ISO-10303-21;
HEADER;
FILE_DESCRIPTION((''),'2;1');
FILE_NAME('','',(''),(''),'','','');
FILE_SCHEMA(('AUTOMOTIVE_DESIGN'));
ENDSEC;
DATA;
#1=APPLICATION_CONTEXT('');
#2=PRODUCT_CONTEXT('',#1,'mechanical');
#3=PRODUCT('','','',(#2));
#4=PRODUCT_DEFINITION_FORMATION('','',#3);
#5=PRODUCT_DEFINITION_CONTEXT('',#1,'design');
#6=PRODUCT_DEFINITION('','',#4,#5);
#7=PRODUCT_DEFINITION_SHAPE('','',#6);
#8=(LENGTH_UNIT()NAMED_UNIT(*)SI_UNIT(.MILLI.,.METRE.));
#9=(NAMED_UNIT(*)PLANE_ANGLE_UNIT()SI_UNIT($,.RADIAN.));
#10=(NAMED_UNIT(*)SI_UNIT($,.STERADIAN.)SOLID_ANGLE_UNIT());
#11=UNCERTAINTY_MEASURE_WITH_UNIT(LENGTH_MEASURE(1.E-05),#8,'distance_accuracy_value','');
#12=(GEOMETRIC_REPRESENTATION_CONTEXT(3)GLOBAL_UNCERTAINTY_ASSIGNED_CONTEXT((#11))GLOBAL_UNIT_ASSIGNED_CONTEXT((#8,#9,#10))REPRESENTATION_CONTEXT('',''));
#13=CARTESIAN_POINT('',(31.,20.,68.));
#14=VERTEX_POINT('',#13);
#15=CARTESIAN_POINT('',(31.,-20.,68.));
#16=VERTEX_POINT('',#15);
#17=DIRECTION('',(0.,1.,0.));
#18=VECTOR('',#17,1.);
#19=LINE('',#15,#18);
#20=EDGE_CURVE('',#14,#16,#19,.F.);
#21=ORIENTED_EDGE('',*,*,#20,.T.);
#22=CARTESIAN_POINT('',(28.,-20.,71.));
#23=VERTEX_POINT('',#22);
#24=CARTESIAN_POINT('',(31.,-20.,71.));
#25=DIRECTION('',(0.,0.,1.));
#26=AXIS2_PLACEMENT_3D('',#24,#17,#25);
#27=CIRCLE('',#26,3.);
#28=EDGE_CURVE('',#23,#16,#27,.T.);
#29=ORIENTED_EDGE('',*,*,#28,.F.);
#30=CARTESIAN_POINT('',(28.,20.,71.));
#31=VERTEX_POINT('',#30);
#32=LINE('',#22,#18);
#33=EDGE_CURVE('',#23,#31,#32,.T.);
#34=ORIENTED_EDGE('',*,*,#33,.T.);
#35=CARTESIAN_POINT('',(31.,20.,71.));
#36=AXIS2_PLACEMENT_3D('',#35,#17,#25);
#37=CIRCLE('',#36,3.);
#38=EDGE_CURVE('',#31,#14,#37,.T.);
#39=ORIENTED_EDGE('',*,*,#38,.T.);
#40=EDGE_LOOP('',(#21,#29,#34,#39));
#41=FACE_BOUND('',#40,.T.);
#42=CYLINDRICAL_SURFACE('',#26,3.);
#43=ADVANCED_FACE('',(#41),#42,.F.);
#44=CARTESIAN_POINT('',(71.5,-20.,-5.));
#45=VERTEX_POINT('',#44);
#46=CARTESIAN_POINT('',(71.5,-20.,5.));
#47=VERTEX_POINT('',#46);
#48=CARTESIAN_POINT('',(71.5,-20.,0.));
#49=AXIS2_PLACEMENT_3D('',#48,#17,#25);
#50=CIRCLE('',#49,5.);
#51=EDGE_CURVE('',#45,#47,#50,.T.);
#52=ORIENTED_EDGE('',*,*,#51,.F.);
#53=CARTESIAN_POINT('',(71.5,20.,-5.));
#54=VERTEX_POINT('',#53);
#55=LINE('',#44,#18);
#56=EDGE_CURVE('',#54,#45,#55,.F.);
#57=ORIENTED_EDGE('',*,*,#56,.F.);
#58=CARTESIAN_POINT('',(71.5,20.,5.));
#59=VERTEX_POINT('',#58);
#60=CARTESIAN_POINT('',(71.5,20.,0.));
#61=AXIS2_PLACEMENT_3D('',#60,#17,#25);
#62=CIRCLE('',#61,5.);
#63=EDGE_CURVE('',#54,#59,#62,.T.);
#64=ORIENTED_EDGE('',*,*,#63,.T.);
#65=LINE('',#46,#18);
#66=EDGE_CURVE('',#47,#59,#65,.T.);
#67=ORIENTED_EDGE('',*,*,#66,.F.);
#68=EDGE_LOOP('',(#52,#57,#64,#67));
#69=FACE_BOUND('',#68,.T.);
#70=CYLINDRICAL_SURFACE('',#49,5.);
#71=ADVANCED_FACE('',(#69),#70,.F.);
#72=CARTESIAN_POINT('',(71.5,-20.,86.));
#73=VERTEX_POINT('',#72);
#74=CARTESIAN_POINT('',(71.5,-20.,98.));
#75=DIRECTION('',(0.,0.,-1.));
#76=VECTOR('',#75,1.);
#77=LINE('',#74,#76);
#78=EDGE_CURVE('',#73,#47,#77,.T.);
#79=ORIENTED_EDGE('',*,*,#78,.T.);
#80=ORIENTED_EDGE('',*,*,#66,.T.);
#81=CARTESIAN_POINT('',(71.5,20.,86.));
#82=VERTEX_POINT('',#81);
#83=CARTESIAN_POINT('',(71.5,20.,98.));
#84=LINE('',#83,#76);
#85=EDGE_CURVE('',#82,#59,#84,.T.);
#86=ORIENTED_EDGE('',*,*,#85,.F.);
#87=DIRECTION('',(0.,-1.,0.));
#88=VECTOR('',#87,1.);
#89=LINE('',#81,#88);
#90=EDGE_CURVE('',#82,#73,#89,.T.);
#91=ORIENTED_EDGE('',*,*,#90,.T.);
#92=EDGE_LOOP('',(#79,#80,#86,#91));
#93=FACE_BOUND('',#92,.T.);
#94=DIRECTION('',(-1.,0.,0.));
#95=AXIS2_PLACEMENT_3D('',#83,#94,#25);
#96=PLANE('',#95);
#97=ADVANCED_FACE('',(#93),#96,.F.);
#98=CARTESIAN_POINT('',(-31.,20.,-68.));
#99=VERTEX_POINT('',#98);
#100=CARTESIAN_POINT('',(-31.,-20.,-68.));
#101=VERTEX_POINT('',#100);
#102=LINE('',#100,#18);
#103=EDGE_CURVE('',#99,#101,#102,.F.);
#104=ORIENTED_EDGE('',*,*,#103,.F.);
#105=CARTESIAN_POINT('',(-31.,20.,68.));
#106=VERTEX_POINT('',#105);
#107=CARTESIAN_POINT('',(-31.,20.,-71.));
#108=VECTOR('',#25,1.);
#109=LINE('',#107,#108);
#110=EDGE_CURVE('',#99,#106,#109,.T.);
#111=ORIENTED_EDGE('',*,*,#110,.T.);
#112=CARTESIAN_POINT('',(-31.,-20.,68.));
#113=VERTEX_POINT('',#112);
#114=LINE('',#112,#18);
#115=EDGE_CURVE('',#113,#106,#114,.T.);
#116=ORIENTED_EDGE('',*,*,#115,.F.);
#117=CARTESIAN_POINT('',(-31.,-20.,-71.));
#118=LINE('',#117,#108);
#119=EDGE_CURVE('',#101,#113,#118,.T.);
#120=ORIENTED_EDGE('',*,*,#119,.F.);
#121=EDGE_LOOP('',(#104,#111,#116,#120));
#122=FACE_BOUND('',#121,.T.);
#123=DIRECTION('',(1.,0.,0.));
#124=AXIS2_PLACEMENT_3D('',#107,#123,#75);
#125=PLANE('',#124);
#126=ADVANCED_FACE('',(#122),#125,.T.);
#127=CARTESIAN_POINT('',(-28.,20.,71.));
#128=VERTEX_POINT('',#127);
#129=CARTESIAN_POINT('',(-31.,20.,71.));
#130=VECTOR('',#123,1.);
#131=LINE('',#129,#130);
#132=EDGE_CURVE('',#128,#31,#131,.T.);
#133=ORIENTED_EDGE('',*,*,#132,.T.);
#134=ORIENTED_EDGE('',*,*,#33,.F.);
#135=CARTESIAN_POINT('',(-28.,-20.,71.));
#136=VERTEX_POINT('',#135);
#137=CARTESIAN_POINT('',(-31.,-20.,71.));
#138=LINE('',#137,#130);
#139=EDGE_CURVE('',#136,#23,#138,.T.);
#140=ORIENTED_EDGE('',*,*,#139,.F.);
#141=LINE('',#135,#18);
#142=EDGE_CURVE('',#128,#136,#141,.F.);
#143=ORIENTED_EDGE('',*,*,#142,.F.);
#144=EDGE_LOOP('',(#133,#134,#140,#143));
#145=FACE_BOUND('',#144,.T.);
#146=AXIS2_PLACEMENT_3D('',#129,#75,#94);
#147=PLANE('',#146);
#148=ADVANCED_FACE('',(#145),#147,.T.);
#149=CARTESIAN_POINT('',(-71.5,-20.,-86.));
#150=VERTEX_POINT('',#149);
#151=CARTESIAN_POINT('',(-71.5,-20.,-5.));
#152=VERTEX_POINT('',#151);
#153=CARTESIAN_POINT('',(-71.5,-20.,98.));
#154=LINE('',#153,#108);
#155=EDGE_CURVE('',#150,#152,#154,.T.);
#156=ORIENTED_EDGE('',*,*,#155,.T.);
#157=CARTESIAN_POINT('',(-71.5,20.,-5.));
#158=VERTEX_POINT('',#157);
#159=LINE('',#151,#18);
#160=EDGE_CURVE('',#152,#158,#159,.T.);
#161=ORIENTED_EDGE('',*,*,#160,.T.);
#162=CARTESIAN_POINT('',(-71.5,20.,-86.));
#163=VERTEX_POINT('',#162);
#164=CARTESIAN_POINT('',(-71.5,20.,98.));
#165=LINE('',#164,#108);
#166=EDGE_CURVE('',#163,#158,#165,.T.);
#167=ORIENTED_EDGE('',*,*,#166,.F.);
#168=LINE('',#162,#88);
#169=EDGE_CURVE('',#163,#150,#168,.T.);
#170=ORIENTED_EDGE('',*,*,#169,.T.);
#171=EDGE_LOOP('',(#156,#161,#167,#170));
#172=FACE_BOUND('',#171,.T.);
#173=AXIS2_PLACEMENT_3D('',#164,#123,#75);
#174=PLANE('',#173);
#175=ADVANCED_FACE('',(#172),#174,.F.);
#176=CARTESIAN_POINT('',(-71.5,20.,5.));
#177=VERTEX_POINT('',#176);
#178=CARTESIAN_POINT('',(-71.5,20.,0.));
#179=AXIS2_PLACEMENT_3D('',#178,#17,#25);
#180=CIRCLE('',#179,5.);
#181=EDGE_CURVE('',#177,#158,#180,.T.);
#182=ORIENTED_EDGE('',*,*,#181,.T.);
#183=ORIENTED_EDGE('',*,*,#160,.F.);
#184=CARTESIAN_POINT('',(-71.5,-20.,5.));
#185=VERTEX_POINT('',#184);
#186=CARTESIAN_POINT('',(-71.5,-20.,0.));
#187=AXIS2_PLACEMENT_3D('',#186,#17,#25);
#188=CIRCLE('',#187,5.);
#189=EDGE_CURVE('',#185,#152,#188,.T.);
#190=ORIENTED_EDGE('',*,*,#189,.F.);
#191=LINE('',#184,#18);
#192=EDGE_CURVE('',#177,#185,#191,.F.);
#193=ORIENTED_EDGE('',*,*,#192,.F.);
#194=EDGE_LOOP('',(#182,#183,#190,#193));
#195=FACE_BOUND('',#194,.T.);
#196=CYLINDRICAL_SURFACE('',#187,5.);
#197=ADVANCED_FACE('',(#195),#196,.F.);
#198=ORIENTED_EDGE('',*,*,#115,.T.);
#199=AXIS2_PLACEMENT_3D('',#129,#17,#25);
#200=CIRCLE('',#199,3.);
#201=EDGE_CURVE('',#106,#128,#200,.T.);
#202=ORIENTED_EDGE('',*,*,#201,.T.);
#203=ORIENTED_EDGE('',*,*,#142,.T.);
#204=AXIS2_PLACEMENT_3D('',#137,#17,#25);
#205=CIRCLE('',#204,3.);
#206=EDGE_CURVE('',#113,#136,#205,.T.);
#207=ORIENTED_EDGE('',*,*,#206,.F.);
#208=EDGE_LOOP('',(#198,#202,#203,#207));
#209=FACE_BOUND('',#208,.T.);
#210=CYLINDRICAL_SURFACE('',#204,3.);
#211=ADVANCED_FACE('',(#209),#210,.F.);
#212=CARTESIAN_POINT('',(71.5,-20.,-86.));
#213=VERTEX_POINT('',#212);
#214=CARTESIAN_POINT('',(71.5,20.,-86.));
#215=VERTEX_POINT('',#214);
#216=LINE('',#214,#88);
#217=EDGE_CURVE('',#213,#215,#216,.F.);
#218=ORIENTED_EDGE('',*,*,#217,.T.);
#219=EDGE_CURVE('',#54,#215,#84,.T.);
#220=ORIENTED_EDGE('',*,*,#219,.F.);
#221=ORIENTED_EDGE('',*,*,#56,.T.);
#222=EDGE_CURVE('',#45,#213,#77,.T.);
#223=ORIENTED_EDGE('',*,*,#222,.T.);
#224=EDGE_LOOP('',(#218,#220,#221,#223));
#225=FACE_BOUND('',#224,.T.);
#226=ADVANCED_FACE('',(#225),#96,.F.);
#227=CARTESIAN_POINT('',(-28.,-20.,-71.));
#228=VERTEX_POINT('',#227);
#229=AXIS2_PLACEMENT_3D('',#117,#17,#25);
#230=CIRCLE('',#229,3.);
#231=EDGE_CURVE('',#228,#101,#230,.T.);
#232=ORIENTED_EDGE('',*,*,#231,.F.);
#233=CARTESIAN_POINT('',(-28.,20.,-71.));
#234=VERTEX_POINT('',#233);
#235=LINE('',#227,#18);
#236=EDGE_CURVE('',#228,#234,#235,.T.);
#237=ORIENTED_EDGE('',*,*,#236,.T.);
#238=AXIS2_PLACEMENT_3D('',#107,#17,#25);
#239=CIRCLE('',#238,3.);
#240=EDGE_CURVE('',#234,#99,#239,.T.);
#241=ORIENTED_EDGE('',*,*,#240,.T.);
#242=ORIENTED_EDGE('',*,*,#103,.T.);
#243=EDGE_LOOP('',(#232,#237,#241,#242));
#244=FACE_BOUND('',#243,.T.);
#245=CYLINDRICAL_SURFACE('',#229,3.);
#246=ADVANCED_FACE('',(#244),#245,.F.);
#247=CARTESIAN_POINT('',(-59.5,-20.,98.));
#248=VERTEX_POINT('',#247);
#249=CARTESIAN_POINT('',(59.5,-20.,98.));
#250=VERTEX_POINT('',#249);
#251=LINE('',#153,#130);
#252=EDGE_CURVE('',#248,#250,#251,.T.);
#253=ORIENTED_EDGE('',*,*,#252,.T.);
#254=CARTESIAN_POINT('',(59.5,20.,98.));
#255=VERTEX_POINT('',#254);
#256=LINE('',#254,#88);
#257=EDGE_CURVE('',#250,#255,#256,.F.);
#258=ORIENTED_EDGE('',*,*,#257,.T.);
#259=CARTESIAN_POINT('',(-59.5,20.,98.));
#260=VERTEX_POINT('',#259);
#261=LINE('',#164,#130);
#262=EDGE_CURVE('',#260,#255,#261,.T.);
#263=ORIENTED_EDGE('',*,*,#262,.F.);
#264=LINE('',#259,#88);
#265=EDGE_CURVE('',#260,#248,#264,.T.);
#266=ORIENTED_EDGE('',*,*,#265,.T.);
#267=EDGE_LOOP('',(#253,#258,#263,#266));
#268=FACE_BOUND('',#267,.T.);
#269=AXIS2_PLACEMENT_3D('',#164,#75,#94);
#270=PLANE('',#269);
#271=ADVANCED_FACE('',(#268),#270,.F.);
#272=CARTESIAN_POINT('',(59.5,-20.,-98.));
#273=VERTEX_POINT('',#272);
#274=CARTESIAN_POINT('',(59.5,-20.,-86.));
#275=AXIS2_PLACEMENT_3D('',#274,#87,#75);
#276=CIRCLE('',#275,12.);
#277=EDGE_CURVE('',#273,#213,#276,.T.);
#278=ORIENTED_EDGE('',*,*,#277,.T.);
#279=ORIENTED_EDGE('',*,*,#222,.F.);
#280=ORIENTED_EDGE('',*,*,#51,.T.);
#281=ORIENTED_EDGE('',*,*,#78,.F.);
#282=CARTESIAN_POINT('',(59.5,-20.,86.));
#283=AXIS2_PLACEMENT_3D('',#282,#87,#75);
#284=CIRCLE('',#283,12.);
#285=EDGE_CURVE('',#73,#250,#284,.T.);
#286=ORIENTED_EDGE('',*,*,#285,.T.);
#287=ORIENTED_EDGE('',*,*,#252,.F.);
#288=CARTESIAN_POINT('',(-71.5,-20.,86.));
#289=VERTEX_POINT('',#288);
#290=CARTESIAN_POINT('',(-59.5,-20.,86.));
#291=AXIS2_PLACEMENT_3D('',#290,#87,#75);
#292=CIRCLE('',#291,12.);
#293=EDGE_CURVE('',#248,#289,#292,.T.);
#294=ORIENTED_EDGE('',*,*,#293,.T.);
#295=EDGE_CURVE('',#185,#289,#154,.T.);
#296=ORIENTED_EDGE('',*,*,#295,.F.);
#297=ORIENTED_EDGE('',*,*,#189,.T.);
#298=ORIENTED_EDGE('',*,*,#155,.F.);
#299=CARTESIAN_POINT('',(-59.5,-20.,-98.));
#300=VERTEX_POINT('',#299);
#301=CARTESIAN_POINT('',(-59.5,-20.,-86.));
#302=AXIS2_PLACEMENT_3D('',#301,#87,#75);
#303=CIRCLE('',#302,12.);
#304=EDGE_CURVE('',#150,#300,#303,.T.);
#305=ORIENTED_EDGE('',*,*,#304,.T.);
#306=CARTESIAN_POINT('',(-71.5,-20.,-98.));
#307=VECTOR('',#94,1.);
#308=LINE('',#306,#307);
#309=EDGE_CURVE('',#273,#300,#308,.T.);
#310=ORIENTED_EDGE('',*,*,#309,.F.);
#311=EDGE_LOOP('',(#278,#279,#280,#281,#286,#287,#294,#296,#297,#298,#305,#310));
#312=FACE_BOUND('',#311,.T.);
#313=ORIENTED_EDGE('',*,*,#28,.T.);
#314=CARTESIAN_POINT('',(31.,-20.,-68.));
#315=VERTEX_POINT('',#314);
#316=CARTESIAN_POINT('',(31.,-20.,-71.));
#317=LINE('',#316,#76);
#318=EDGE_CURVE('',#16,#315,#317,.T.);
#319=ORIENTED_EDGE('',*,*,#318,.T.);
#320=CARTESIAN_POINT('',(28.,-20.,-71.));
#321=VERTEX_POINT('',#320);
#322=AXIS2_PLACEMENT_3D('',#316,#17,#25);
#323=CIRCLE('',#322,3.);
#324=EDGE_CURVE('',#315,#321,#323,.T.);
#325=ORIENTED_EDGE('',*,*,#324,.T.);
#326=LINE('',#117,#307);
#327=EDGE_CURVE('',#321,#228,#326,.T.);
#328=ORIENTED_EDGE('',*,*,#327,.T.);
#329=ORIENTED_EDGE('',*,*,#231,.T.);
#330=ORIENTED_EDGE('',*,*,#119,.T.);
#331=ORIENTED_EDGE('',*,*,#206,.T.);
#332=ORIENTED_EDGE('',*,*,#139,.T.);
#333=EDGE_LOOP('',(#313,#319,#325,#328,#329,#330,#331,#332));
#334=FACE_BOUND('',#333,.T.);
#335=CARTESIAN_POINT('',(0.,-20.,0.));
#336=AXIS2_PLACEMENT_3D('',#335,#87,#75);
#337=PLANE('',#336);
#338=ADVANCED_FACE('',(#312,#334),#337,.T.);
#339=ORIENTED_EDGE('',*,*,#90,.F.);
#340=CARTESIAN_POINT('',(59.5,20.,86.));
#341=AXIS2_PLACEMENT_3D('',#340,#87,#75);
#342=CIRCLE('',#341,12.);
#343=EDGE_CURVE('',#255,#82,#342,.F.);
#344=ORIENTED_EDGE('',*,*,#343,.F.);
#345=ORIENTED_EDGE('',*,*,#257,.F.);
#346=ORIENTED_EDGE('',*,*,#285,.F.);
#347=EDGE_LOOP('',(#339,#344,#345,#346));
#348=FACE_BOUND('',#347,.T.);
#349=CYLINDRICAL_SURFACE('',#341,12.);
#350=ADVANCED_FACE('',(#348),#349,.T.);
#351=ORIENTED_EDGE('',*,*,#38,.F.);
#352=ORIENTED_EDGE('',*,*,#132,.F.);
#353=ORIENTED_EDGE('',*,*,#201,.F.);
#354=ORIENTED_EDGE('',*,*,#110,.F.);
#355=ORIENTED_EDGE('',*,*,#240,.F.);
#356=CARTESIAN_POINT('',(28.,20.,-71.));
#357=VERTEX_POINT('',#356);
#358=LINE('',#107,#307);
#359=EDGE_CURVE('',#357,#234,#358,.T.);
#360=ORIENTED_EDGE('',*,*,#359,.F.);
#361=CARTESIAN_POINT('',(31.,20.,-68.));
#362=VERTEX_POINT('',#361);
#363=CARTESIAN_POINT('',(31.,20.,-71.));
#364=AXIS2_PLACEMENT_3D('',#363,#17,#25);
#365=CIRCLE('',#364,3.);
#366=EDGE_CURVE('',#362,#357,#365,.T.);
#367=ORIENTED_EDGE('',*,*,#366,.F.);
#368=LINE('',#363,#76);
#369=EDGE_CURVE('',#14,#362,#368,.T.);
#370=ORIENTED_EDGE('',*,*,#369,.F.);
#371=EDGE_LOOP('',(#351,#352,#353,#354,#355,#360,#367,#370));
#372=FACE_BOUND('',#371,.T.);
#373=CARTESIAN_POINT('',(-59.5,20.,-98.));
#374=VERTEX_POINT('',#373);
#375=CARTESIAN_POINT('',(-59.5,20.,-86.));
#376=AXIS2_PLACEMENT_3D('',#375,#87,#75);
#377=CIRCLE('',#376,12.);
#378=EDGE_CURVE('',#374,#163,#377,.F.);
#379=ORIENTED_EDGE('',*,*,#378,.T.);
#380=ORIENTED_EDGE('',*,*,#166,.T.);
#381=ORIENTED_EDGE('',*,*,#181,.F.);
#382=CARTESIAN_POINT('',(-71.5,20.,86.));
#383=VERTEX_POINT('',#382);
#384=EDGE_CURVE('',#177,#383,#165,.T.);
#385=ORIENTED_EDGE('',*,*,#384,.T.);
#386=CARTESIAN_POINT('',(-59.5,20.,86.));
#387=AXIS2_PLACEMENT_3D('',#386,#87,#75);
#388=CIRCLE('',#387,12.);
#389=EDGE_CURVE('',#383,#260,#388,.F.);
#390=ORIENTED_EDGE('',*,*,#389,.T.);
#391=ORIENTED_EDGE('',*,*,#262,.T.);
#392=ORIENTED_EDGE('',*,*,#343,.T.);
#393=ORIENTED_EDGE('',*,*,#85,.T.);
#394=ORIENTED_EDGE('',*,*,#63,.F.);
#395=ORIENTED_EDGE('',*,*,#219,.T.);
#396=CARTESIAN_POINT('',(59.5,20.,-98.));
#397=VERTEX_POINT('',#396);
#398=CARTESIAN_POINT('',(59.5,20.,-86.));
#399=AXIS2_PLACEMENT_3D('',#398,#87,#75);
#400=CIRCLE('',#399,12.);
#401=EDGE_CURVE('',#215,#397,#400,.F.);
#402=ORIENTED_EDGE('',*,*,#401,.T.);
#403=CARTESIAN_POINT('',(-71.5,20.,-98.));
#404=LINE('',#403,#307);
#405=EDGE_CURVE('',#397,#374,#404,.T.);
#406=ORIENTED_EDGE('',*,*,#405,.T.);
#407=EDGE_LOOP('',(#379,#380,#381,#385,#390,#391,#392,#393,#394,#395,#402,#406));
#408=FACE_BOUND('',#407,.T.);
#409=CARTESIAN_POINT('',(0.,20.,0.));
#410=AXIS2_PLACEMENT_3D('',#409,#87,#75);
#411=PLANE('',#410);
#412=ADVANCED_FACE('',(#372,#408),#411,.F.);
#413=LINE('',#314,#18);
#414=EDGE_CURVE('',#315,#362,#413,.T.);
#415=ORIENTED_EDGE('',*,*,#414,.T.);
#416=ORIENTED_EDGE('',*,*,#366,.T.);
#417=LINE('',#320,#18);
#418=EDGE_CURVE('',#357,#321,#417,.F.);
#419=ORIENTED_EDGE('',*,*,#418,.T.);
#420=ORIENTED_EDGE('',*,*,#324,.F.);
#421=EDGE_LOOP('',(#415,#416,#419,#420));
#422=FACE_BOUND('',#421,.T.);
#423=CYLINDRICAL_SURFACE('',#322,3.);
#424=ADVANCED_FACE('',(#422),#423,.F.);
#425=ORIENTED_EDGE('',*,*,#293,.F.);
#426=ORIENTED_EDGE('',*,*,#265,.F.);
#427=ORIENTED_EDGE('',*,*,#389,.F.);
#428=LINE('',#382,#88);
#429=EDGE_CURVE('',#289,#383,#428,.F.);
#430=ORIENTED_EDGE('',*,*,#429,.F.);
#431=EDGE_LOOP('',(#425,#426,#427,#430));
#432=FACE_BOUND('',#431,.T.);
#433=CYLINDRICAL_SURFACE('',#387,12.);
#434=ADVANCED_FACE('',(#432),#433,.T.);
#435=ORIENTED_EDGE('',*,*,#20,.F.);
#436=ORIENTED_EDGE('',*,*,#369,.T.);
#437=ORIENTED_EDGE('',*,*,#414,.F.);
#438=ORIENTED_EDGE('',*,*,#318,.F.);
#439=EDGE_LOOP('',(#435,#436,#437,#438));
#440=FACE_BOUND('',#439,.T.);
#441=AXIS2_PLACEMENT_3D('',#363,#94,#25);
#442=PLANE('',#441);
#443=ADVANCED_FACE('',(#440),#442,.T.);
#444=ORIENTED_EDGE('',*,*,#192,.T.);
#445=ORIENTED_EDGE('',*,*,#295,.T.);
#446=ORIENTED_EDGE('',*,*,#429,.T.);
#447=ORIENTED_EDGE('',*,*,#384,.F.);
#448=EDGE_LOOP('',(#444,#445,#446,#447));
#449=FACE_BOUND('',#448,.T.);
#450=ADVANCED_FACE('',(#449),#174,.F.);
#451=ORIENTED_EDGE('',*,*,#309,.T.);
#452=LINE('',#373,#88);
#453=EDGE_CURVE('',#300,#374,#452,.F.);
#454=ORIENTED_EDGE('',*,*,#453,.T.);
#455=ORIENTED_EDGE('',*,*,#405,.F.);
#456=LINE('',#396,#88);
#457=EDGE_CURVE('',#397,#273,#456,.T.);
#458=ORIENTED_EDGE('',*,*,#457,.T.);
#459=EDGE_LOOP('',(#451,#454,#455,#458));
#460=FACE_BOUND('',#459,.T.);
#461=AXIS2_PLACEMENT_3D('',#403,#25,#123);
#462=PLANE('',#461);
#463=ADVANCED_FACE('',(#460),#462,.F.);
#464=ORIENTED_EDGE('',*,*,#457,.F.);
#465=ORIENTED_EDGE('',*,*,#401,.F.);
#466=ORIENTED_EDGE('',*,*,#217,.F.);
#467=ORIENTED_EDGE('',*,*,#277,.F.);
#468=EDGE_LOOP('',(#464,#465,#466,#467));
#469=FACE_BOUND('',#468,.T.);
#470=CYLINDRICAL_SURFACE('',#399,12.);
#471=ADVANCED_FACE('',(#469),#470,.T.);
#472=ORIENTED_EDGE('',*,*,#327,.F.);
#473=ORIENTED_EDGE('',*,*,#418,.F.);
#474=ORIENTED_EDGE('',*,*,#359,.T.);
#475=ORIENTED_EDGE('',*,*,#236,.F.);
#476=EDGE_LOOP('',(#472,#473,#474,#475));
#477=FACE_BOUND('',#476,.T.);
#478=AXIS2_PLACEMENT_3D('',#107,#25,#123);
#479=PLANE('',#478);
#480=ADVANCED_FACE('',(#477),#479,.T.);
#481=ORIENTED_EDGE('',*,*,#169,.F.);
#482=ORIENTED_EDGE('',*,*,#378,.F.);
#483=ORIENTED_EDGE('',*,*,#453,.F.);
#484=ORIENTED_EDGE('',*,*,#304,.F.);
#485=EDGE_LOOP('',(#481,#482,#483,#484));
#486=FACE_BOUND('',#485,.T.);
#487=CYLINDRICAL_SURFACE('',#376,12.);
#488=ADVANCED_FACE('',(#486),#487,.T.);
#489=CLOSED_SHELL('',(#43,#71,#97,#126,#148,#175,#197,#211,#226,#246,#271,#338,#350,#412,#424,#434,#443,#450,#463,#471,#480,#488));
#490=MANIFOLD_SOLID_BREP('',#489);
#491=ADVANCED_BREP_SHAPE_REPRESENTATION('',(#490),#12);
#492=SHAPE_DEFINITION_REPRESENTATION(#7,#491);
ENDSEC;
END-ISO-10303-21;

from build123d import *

# Parameters (mm, degrees)
SKETCH_1_W          = 143
SKETCH_1_H          = 196
SKETCH_1_W_2        = 62
SKETCH_1_H_2        = 142
EXTRUDE_1_DEPTH     = 20
FILLET_1_R          = 12
SKETCH_2_R          = 3
CUT_EXTRUDE_1_DEPTH = 40
SKETCH_3_R          = 5
CUT_EXTRUDE_2_DEPTH = 40


with BuildPart() as part:
    # 草图1 → 凸台-拉伸1 (new, symmetric)
    with BuildSketch(Plane(origin=(0, 0, 0), x_dir=(1, 0, 0), z_dir=(0, 1, 0))):
        Rectangle(SKETCH_1_W, SKETCH_1_H)
        Rectangle(SKETCH_1_W_2, SKETCH_1_H_2, mode=Mode.SUBTRACT)
    extrude(amount=EXTRUDE_1_DEPTH, both=True)

    # 圆角1
    fillet_1_edges = [part.edges().sort_by_distance(p)[0] for p in [
        (-71.5, 0, -98),
        (71.5, 0, -98),
        (71.5, 0, 98),
        (-71.5, 0, 98),
    ]]
    fillet(fillet_1_edges, radius=FILLET_1_R)

    # 草图2 → 切除-拉伸1 (cut)
    with BuildSketch(Plane(origin=(0, 20, 0), x_dir=(1, 0, 0), z_dir=(0, 1, 0))):
        with Locations((-31, 71)):
            Circle(SKETCH_2_R)
        with Locations((31, 71)):
            Circle(SKETCH_2_R)
        with Locations((31, -71)):
            Circle(SKETCH_2_R)
        with Locations((-31, -71)):
            Circle(SKETCH_2_R)
    extrude(amount=-CUT_EXTRUDE_1_DEPTH, mode=Mode.SUBTRACT)

    # 草图3 → 切除-拉伸2 (cut)
    with BuildSketch(Plane(origin=(0, 20, 0), x_dir=(1, 0, 0), z_dir=(0, 1, 0))):
        with Locations((-71.5, 0)):
            Circle(SKETCH_3_R)
        with Locations((71.5, 0)):
            Circle(SKETCH_3_R)
    extrude(amount=-CUT_EXTRUDE_2_DEPTH, mode=Mode.SUBTRACT)


solid = part.part
